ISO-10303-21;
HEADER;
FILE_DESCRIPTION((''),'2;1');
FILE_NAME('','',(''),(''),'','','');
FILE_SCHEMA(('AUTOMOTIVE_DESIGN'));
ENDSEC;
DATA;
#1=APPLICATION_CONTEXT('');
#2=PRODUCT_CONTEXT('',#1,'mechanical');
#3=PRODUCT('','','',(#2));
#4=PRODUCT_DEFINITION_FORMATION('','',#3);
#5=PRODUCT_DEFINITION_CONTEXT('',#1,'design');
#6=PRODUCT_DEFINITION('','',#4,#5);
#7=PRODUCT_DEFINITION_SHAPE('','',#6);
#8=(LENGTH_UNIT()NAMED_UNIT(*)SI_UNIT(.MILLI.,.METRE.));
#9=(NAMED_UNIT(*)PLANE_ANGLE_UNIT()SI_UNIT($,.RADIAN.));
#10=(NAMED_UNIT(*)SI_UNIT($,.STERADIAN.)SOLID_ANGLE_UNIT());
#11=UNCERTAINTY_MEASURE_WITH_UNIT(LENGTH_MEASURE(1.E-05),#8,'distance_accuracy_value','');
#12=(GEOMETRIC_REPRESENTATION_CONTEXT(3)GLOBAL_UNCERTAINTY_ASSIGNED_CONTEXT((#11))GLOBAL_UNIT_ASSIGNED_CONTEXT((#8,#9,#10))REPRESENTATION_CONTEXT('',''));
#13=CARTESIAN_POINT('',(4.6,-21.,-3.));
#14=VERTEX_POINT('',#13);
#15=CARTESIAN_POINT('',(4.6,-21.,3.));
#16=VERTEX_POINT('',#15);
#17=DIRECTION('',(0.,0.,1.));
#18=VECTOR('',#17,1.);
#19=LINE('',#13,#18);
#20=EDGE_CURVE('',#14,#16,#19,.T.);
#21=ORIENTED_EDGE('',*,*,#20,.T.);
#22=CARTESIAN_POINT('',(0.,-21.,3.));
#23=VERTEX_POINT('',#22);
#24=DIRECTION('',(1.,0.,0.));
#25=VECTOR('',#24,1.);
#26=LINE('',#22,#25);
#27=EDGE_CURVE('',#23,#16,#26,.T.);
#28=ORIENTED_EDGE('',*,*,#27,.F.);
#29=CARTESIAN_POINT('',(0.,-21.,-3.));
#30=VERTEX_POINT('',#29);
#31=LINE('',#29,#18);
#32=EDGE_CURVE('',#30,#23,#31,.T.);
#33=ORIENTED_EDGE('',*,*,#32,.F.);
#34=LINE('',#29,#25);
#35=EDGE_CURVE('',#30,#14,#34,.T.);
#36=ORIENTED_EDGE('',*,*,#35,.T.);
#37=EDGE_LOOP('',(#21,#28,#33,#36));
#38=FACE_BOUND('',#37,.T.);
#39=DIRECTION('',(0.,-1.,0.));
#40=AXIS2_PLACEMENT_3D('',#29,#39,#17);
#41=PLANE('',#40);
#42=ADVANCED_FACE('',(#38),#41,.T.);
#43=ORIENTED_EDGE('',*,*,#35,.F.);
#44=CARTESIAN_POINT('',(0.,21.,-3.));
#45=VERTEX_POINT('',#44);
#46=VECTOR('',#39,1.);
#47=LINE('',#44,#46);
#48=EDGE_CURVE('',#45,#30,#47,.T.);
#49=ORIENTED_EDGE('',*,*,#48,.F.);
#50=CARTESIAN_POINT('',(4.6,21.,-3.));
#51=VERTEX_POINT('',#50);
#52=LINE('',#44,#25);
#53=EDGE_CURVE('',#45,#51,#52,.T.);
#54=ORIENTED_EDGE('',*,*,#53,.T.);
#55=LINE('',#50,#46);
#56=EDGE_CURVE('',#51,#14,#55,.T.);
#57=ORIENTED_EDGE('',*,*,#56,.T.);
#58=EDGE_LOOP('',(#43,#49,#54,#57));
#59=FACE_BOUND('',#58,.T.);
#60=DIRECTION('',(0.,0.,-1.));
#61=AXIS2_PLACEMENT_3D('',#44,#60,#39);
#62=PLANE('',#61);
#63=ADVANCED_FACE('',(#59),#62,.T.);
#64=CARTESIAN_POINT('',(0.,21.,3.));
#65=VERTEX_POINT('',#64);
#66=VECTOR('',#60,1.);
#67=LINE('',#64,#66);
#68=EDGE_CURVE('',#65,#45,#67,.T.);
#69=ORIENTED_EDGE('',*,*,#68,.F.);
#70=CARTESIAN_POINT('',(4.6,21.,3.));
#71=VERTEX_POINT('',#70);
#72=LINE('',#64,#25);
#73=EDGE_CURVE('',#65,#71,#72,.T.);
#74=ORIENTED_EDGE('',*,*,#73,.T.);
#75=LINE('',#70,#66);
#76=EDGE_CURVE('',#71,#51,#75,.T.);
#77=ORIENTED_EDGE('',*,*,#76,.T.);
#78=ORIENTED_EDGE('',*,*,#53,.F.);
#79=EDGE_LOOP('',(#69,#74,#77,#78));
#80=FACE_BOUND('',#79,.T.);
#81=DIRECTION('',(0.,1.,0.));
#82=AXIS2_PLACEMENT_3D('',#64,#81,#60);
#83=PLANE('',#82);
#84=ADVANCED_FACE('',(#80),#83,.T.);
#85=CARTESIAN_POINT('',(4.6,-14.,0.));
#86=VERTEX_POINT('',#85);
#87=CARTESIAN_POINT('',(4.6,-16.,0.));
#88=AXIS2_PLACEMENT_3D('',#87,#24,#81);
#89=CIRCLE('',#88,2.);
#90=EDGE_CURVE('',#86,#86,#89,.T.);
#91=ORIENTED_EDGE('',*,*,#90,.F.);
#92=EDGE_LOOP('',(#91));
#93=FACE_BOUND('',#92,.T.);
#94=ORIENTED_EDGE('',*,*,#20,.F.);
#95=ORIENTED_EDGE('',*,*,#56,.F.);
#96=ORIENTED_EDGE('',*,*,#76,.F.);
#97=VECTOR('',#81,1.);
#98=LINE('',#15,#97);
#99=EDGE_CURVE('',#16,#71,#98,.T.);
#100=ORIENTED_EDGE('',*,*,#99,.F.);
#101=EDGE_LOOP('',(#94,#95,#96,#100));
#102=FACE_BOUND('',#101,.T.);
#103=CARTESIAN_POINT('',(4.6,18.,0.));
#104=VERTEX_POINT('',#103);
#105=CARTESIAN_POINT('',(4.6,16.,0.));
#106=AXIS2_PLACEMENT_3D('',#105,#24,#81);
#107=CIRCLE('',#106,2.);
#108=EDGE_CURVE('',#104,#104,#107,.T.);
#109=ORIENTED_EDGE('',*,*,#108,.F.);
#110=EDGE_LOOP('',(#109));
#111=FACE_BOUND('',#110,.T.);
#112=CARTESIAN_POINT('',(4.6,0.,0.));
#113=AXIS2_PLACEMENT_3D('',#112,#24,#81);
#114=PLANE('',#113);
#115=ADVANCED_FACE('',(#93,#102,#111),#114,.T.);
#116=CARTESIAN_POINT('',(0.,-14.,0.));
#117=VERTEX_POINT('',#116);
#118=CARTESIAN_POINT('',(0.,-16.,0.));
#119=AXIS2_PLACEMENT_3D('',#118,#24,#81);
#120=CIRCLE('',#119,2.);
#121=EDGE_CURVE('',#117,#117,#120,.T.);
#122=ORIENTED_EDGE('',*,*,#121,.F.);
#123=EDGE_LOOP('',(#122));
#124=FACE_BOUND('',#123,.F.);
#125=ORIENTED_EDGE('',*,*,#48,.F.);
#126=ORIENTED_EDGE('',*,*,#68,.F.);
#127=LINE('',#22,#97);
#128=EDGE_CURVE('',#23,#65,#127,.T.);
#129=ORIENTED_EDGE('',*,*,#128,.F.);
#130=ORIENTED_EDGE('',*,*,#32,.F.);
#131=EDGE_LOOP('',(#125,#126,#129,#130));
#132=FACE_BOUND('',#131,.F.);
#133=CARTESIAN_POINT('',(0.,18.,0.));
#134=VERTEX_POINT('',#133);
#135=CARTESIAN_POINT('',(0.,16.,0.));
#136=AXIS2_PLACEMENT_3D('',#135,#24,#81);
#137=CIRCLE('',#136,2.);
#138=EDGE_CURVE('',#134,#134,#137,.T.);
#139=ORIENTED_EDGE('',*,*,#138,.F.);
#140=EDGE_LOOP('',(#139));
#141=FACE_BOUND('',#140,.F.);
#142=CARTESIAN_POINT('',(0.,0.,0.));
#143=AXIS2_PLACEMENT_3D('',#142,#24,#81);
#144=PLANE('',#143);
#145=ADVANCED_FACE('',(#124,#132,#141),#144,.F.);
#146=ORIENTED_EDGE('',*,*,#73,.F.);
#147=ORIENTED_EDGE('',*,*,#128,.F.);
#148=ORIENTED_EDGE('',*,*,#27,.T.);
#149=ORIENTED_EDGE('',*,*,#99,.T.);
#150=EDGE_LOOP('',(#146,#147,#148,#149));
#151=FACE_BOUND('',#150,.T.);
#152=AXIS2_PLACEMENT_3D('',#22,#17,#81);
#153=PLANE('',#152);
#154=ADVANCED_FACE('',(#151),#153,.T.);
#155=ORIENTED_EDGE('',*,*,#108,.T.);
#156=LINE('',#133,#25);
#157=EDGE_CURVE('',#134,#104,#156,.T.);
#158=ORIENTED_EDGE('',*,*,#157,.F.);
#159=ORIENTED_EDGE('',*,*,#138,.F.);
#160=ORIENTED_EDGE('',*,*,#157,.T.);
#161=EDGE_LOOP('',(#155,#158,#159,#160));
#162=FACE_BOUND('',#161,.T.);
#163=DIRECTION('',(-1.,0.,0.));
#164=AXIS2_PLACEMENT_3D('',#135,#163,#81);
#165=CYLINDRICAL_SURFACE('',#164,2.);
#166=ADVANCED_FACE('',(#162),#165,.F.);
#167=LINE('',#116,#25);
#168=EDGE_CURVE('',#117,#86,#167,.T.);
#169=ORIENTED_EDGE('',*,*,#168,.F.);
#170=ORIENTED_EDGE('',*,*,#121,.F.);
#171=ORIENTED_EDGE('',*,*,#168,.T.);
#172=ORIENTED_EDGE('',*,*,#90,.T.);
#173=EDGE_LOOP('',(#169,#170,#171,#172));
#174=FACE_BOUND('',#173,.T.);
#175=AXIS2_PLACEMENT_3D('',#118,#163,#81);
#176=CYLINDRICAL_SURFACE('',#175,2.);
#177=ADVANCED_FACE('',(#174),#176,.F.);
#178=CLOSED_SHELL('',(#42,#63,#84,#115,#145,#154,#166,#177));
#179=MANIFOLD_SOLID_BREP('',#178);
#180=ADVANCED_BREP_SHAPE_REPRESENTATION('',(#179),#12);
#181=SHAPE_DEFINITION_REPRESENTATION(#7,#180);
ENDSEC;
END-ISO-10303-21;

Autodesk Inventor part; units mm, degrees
ref_plane "YZ Plane" through (0, 0, 0) normal (1, 0, 0) x (0, 1, 0)
ref_plane "XZ Plane" through (0, 0, 0) normal (0, 1, 0) x (-1, 0, 0)
ref_plane "XY Plane" through (0, 0, 0) normal (0, 0, 1) x (1, 0, 0)
sketch "Sketch1" plane through (0, 0, 0) normal (1, 0, 0) x (0, 1, 0)
  circle A0 centre (16, 0) radius 2
  circle A1 centre (-16, 0) radius 2
  line L0 (-21, 3) -> (21, 3)
  line L1 (21, 3) -> (21, -3)
  line L2 (21, -3) -> (-21, -3)
  line L3 (-21, -3) -> (-21, 3)
  line L4 (-21, 3) -> (21, -3) construction
  line L5 (21, 3) -> (-21, -3) construction
  point P0 (0, 0)
  dimension "d0" = 16
  dimension "d1" = 16
  dimension "d2" = 42
  dimension "d3" = 4
  dimension "d4" = 4
  dimension "d5" = 6
extrude "Extrusion1" add sketch "Sketch1" along normal blind 4.6
properties part number "BearingBlockSpacer"
